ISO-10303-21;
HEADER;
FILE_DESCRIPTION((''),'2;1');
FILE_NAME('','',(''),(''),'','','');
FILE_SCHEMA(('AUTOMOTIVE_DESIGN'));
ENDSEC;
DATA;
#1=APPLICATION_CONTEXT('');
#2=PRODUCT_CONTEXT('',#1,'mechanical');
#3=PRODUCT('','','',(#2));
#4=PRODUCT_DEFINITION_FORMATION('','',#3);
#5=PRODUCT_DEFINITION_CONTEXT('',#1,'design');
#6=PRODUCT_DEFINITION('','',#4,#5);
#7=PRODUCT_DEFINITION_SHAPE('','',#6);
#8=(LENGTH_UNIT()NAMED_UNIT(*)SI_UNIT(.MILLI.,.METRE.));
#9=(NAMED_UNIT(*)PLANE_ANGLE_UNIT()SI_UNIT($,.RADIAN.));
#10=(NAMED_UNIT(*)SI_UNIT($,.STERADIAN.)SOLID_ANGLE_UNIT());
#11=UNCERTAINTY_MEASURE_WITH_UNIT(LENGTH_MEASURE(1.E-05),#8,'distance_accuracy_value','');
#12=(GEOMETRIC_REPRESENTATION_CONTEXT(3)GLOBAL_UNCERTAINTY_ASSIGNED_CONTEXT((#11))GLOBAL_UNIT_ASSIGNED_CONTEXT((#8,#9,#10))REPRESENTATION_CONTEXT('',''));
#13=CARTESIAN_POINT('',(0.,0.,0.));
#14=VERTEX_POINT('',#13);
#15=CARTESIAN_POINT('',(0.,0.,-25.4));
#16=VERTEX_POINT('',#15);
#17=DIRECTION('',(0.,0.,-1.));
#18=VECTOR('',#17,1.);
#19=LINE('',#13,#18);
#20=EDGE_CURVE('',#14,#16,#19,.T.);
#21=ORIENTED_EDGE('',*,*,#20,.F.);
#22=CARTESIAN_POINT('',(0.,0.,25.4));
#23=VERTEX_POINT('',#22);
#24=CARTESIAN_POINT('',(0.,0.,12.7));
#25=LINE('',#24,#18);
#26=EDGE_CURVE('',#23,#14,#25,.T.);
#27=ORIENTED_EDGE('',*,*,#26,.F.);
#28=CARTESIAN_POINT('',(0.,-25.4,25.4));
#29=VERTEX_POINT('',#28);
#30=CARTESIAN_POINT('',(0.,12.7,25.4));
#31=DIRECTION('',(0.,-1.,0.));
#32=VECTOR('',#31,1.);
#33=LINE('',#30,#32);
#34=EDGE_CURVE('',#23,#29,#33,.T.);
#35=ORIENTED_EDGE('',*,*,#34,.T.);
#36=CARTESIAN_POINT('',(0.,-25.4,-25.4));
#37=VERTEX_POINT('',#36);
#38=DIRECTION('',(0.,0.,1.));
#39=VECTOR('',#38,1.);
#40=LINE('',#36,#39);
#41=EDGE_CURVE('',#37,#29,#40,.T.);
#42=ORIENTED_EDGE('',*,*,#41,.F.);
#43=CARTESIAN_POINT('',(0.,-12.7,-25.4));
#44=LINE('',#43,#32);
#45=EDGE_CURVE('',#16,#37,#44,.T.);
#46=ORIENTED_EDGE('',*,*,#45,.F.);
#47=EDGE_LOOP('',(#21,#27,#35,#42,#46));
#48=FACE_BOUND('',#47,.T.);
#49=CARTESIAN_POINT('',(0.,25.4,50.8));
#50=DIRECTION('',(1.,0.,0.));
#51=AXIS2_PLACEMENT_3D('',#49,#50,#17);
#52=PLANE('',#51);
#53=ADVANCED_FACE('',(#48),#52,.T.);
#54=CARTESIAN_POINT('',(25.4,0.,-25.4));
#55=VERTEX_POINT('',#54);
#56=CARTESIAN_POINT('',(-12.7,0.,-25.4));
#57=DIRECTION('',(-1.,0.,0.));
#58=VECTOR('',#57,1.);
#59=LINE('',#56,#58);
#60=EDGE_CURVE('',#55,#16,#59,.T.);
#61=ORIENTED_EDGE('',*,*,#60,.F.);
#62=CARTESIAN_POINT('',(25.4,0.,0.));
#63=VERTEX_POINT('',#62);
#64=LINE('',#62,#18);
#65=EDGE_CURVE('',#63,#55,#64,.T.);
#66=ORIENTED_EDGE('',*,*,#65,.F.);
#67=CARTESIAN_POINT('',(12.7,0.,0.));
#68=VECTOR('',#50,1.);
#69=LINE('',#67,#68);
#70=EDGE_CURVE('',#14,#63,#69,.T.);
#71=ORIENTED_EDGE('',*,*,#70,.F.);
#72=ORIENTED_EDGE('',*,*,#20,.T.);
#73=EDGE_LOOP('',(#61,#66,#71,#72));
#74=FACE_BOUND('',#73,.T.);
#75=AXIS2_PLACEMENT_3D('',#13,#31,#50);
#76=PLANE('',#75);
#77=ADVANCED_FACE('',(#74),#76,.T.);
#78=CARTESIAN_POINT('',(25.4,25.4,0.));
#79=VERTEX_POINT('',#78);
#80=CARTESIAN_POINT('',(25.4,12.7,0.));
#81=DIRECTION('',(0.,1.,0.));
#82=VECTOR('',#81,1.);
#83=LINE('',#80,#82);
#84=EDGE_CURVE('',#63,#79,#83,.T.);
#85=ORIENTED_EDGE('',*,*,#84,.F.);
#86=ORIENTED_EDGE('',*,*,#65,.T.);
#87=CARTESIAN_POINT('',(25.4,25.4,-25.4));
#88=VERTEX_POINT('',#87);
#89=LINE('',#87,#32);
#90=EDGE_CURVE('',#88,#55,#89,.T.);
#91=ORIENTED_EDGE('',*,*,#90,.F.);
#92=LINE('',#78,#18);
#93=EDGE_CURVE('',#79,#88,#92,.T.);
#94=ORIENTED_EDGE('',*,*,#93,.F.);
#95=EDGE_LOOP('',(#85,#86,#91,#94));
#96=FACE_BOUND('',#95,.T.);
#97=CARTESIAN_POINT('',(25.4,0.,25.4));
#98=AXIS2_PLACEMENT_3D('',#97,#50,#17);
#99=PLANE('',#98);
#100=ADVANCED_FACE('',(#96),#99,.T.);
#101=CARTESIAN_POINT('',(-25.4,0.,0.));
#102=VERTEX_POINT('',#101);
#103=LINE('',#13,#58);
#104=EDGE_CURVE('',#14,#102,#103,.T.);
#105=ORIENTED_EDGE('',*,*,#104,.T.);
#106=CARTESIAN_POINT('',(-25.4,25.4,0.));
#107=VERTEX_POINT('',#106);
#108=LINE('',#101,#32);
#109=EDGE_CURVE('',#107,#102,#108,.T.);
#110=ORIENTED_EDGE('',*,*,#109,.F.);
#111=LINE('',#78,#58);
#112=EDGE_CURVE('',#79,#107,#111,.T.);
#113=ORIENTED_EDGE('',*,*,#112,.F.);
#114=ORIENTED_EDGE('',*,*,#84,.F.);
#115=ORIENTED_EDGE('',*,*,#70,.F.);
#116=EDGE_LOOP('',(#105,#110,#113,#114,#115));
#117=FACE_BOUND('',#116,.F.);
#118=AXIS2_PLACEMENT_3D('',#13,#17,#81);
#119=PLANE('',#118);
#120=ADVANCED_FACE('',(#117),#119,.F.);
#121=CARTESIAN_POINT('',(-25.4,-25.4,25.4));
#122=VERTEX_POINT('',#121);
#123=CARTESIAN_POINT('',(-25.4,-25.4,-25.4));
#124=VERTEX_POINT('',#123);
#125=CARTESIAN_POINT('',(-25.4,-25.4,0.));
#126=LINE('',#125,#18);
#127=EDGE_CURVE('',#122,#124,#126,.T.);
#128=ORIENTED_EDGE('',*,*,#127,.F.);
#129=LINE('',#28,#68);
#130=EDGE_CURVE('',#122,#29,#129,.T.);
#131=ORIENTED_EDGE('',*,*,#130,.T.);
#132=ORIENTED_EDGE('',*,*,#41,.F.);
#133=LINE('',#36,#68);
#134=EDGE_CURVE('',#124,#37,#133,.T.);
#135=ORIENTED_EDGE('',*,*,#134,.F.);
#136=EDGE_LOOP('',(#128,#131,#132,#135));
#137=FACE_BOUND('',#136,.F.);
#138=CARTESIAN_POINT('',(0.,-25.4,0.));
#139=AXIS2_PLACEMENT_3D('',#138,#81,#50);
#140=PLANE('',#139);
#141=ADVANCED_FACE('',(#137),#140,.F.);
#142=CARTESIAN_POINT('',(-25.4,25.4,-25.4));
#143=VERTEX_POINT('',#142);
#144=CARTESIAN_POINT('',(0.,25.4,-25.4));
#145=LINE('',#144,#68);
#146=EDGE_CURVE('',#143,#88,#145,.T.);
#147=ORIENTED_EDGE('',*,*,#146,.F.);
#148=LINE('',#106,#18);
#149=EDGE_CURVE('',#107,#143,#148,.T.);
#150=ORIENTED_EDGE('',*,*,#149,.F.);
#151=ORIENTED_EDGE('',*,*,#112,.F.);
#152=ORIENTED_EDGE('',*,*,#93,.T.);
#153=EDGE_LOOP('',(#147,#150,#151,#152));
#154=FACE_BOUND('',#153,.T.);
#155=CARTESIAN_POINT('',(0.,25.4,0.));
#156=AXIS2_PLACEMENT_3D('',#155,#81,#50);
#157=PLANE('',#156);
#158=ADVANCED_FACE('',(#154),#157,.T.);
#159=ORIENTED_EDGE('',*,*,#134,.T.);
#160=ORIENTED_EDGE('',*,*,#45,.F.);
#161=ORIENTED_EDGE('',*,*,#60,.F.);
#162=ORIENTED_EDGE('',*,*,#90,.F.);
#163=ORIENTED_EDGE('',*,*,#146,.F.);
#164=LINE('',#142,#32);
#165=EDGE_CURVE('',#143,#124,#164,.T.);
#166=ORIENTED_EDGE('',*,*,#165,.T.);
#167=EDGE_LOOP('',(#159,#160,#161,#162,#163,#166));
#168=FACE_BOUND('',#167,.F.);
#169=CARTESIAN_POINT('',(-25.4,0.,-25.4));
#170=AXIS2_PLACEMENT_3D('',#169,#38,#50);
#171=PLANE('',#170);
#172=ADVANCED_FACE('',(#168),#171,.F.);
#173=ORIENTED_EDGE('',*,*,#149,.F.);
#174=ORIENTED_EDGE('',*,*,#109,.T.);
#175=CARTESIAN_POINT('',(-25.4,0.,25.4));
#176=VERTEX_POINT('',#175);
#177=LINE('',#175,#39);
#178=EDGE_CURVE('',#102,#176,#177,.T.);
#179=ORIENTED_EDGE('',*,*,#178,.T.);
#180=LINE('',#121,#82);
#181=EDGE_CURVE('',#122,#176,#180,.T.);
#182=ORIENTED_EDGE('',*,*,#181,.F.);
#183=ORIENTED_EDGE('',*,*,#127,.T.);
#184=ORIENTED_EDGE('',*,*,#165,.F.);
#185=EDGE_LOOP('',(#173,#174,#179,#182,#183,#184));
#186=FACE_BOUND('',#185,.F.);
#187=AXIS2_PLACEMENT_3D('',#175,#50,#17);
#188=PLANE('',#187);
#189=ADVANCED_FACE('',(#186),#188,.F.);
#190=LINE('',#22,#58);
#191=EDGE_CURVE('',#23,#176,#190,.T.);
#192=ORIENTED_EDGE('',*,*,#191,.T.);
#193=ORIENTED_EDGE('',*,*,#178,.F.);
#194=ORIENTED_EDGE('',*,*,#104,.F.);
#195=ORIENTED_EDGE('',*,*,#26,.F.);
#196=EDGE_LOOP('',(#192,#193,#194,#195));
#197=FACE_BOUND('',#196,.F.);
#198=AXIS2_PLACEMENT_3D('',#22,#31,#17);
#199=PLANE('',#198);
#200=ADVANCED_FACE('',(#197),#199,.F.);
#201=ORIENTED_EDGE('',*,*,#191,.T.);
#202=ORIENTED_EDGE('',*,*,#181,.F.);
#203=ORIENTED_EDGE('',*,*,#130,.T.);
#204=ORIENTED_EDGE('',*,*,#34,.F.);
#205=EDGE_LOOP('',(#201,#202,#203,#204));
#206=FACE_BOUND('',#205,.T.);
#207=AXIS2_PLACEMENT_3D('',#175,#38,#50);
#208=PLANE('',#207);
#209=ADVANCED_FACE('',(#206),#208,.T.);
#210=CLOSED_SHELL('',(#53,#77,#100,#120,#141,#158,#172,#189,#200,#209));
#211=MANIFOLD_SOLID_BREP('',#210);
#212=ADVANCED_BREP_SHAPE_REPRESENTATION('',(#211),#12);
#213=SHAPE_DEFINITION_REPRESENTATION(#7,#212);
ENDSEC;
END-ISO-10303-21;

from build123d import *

# Parameters (mm, degrees)
SKETCH1_W           = 50.8
SKETCH1_H           = 50.8
BOSS_EXTRUDE1_DEPTH = 25.4
CUT_EXTRUDE1_REACH  = 52.8
SKETCH2_W           = 50.8
SKETCH2_H           = 50.8
CUT_EXTRUDE2_REACH  = 27.4
SKETCH4_W           = 25.4
SKETCH4_H           = 25.4
CUT_EXTRUDE3_REACH  = 27.4
SKETCH5_W           = 25.4
SKETCH5_H           = 25.4


with BuildPart() as part:
    # Sketch1 → Boss-Extrude1 (new body, symmetric)
    with BuildSketch(Plane(origin=(0, 0, 0), x_dir=(1, 0, 0), z_dir=(0, 1, 0))):
        Rectangle(SKETCH1_W, SKETCH1_H)
    extrude(amount=BOSS_EXTRUDE1_DEPTH, both=True)

    # Sketch2 → Cut-Extrude1 (cut, up to next)
    with BuildSketch(Plane(origin=(0, 25.4, 0), x_dir=(1, 0, 0), z_dir=(0, 1, 0)), mode=Mode.PRIVATE) as cut_extrude1_sk1:
        with Locations((25.4, -25.4)):
            Rectangle(SKETCH2_W, SKETCH2_H)
    cut_extrude1_tool1 = extrude(cut_extrude1_sk1.sketch, amount=-CUT_EXTRUDE1_REACH, mode=Mode.PRIVATE) & part.part
    add(cut_extrude1_tool1.solids().sort_by_distance((25.4, 25.4, 25.4))[0], mode=Mode.SUBTRACT)

    # Sketch4 → Cut-Extrude2 (cut, up to next)
    with BuildSketch(Plane(origin=(0, 0, 0), x_dir=(0, 0, -1), z_dir=(1, 0, 0)), mode=Mode.PRIVATE) as cut_extrude2_sk1:
        with Locations((-12.7, 12.7)):
            Rectangle(SKETCH4_W, SKETCH4_H)
    cut_extrude2_tool1 = extrude(cut_extrude2_sk1.sketch, amount=-CUT_EXTRUDE2_REACH, mode=Mode.PRIVATE) & part.part
    add(cut_extrude2_tool1.solids().sort_by_distance((0, 12.7, 12.7))[0], mode=Mode.SUBTRACT)

    # Sketch5 → Cut-Extrude3 (cut, up to next)
    with BuildSketch(Plane.XY, mode=Mode.PRIVATE) as cut_extrude3_sk1:
        with Locations((12.7, -12.7)):
            Rectangle(SKETCH5_W, SKETCH5_H)
    cut_extrude3_tool1 = extrude(cut_extrude3_sk1.sketch, amount=-CUT_EXTRUDE3_REACH, mode=Mode.PRIVATE) & part.part
    add(cut_extrude3_tool1.solids().sort_by_distance((12.7, -12.7, 0))[0], mode=Mode.SUBTRACT)


solid = part.part
